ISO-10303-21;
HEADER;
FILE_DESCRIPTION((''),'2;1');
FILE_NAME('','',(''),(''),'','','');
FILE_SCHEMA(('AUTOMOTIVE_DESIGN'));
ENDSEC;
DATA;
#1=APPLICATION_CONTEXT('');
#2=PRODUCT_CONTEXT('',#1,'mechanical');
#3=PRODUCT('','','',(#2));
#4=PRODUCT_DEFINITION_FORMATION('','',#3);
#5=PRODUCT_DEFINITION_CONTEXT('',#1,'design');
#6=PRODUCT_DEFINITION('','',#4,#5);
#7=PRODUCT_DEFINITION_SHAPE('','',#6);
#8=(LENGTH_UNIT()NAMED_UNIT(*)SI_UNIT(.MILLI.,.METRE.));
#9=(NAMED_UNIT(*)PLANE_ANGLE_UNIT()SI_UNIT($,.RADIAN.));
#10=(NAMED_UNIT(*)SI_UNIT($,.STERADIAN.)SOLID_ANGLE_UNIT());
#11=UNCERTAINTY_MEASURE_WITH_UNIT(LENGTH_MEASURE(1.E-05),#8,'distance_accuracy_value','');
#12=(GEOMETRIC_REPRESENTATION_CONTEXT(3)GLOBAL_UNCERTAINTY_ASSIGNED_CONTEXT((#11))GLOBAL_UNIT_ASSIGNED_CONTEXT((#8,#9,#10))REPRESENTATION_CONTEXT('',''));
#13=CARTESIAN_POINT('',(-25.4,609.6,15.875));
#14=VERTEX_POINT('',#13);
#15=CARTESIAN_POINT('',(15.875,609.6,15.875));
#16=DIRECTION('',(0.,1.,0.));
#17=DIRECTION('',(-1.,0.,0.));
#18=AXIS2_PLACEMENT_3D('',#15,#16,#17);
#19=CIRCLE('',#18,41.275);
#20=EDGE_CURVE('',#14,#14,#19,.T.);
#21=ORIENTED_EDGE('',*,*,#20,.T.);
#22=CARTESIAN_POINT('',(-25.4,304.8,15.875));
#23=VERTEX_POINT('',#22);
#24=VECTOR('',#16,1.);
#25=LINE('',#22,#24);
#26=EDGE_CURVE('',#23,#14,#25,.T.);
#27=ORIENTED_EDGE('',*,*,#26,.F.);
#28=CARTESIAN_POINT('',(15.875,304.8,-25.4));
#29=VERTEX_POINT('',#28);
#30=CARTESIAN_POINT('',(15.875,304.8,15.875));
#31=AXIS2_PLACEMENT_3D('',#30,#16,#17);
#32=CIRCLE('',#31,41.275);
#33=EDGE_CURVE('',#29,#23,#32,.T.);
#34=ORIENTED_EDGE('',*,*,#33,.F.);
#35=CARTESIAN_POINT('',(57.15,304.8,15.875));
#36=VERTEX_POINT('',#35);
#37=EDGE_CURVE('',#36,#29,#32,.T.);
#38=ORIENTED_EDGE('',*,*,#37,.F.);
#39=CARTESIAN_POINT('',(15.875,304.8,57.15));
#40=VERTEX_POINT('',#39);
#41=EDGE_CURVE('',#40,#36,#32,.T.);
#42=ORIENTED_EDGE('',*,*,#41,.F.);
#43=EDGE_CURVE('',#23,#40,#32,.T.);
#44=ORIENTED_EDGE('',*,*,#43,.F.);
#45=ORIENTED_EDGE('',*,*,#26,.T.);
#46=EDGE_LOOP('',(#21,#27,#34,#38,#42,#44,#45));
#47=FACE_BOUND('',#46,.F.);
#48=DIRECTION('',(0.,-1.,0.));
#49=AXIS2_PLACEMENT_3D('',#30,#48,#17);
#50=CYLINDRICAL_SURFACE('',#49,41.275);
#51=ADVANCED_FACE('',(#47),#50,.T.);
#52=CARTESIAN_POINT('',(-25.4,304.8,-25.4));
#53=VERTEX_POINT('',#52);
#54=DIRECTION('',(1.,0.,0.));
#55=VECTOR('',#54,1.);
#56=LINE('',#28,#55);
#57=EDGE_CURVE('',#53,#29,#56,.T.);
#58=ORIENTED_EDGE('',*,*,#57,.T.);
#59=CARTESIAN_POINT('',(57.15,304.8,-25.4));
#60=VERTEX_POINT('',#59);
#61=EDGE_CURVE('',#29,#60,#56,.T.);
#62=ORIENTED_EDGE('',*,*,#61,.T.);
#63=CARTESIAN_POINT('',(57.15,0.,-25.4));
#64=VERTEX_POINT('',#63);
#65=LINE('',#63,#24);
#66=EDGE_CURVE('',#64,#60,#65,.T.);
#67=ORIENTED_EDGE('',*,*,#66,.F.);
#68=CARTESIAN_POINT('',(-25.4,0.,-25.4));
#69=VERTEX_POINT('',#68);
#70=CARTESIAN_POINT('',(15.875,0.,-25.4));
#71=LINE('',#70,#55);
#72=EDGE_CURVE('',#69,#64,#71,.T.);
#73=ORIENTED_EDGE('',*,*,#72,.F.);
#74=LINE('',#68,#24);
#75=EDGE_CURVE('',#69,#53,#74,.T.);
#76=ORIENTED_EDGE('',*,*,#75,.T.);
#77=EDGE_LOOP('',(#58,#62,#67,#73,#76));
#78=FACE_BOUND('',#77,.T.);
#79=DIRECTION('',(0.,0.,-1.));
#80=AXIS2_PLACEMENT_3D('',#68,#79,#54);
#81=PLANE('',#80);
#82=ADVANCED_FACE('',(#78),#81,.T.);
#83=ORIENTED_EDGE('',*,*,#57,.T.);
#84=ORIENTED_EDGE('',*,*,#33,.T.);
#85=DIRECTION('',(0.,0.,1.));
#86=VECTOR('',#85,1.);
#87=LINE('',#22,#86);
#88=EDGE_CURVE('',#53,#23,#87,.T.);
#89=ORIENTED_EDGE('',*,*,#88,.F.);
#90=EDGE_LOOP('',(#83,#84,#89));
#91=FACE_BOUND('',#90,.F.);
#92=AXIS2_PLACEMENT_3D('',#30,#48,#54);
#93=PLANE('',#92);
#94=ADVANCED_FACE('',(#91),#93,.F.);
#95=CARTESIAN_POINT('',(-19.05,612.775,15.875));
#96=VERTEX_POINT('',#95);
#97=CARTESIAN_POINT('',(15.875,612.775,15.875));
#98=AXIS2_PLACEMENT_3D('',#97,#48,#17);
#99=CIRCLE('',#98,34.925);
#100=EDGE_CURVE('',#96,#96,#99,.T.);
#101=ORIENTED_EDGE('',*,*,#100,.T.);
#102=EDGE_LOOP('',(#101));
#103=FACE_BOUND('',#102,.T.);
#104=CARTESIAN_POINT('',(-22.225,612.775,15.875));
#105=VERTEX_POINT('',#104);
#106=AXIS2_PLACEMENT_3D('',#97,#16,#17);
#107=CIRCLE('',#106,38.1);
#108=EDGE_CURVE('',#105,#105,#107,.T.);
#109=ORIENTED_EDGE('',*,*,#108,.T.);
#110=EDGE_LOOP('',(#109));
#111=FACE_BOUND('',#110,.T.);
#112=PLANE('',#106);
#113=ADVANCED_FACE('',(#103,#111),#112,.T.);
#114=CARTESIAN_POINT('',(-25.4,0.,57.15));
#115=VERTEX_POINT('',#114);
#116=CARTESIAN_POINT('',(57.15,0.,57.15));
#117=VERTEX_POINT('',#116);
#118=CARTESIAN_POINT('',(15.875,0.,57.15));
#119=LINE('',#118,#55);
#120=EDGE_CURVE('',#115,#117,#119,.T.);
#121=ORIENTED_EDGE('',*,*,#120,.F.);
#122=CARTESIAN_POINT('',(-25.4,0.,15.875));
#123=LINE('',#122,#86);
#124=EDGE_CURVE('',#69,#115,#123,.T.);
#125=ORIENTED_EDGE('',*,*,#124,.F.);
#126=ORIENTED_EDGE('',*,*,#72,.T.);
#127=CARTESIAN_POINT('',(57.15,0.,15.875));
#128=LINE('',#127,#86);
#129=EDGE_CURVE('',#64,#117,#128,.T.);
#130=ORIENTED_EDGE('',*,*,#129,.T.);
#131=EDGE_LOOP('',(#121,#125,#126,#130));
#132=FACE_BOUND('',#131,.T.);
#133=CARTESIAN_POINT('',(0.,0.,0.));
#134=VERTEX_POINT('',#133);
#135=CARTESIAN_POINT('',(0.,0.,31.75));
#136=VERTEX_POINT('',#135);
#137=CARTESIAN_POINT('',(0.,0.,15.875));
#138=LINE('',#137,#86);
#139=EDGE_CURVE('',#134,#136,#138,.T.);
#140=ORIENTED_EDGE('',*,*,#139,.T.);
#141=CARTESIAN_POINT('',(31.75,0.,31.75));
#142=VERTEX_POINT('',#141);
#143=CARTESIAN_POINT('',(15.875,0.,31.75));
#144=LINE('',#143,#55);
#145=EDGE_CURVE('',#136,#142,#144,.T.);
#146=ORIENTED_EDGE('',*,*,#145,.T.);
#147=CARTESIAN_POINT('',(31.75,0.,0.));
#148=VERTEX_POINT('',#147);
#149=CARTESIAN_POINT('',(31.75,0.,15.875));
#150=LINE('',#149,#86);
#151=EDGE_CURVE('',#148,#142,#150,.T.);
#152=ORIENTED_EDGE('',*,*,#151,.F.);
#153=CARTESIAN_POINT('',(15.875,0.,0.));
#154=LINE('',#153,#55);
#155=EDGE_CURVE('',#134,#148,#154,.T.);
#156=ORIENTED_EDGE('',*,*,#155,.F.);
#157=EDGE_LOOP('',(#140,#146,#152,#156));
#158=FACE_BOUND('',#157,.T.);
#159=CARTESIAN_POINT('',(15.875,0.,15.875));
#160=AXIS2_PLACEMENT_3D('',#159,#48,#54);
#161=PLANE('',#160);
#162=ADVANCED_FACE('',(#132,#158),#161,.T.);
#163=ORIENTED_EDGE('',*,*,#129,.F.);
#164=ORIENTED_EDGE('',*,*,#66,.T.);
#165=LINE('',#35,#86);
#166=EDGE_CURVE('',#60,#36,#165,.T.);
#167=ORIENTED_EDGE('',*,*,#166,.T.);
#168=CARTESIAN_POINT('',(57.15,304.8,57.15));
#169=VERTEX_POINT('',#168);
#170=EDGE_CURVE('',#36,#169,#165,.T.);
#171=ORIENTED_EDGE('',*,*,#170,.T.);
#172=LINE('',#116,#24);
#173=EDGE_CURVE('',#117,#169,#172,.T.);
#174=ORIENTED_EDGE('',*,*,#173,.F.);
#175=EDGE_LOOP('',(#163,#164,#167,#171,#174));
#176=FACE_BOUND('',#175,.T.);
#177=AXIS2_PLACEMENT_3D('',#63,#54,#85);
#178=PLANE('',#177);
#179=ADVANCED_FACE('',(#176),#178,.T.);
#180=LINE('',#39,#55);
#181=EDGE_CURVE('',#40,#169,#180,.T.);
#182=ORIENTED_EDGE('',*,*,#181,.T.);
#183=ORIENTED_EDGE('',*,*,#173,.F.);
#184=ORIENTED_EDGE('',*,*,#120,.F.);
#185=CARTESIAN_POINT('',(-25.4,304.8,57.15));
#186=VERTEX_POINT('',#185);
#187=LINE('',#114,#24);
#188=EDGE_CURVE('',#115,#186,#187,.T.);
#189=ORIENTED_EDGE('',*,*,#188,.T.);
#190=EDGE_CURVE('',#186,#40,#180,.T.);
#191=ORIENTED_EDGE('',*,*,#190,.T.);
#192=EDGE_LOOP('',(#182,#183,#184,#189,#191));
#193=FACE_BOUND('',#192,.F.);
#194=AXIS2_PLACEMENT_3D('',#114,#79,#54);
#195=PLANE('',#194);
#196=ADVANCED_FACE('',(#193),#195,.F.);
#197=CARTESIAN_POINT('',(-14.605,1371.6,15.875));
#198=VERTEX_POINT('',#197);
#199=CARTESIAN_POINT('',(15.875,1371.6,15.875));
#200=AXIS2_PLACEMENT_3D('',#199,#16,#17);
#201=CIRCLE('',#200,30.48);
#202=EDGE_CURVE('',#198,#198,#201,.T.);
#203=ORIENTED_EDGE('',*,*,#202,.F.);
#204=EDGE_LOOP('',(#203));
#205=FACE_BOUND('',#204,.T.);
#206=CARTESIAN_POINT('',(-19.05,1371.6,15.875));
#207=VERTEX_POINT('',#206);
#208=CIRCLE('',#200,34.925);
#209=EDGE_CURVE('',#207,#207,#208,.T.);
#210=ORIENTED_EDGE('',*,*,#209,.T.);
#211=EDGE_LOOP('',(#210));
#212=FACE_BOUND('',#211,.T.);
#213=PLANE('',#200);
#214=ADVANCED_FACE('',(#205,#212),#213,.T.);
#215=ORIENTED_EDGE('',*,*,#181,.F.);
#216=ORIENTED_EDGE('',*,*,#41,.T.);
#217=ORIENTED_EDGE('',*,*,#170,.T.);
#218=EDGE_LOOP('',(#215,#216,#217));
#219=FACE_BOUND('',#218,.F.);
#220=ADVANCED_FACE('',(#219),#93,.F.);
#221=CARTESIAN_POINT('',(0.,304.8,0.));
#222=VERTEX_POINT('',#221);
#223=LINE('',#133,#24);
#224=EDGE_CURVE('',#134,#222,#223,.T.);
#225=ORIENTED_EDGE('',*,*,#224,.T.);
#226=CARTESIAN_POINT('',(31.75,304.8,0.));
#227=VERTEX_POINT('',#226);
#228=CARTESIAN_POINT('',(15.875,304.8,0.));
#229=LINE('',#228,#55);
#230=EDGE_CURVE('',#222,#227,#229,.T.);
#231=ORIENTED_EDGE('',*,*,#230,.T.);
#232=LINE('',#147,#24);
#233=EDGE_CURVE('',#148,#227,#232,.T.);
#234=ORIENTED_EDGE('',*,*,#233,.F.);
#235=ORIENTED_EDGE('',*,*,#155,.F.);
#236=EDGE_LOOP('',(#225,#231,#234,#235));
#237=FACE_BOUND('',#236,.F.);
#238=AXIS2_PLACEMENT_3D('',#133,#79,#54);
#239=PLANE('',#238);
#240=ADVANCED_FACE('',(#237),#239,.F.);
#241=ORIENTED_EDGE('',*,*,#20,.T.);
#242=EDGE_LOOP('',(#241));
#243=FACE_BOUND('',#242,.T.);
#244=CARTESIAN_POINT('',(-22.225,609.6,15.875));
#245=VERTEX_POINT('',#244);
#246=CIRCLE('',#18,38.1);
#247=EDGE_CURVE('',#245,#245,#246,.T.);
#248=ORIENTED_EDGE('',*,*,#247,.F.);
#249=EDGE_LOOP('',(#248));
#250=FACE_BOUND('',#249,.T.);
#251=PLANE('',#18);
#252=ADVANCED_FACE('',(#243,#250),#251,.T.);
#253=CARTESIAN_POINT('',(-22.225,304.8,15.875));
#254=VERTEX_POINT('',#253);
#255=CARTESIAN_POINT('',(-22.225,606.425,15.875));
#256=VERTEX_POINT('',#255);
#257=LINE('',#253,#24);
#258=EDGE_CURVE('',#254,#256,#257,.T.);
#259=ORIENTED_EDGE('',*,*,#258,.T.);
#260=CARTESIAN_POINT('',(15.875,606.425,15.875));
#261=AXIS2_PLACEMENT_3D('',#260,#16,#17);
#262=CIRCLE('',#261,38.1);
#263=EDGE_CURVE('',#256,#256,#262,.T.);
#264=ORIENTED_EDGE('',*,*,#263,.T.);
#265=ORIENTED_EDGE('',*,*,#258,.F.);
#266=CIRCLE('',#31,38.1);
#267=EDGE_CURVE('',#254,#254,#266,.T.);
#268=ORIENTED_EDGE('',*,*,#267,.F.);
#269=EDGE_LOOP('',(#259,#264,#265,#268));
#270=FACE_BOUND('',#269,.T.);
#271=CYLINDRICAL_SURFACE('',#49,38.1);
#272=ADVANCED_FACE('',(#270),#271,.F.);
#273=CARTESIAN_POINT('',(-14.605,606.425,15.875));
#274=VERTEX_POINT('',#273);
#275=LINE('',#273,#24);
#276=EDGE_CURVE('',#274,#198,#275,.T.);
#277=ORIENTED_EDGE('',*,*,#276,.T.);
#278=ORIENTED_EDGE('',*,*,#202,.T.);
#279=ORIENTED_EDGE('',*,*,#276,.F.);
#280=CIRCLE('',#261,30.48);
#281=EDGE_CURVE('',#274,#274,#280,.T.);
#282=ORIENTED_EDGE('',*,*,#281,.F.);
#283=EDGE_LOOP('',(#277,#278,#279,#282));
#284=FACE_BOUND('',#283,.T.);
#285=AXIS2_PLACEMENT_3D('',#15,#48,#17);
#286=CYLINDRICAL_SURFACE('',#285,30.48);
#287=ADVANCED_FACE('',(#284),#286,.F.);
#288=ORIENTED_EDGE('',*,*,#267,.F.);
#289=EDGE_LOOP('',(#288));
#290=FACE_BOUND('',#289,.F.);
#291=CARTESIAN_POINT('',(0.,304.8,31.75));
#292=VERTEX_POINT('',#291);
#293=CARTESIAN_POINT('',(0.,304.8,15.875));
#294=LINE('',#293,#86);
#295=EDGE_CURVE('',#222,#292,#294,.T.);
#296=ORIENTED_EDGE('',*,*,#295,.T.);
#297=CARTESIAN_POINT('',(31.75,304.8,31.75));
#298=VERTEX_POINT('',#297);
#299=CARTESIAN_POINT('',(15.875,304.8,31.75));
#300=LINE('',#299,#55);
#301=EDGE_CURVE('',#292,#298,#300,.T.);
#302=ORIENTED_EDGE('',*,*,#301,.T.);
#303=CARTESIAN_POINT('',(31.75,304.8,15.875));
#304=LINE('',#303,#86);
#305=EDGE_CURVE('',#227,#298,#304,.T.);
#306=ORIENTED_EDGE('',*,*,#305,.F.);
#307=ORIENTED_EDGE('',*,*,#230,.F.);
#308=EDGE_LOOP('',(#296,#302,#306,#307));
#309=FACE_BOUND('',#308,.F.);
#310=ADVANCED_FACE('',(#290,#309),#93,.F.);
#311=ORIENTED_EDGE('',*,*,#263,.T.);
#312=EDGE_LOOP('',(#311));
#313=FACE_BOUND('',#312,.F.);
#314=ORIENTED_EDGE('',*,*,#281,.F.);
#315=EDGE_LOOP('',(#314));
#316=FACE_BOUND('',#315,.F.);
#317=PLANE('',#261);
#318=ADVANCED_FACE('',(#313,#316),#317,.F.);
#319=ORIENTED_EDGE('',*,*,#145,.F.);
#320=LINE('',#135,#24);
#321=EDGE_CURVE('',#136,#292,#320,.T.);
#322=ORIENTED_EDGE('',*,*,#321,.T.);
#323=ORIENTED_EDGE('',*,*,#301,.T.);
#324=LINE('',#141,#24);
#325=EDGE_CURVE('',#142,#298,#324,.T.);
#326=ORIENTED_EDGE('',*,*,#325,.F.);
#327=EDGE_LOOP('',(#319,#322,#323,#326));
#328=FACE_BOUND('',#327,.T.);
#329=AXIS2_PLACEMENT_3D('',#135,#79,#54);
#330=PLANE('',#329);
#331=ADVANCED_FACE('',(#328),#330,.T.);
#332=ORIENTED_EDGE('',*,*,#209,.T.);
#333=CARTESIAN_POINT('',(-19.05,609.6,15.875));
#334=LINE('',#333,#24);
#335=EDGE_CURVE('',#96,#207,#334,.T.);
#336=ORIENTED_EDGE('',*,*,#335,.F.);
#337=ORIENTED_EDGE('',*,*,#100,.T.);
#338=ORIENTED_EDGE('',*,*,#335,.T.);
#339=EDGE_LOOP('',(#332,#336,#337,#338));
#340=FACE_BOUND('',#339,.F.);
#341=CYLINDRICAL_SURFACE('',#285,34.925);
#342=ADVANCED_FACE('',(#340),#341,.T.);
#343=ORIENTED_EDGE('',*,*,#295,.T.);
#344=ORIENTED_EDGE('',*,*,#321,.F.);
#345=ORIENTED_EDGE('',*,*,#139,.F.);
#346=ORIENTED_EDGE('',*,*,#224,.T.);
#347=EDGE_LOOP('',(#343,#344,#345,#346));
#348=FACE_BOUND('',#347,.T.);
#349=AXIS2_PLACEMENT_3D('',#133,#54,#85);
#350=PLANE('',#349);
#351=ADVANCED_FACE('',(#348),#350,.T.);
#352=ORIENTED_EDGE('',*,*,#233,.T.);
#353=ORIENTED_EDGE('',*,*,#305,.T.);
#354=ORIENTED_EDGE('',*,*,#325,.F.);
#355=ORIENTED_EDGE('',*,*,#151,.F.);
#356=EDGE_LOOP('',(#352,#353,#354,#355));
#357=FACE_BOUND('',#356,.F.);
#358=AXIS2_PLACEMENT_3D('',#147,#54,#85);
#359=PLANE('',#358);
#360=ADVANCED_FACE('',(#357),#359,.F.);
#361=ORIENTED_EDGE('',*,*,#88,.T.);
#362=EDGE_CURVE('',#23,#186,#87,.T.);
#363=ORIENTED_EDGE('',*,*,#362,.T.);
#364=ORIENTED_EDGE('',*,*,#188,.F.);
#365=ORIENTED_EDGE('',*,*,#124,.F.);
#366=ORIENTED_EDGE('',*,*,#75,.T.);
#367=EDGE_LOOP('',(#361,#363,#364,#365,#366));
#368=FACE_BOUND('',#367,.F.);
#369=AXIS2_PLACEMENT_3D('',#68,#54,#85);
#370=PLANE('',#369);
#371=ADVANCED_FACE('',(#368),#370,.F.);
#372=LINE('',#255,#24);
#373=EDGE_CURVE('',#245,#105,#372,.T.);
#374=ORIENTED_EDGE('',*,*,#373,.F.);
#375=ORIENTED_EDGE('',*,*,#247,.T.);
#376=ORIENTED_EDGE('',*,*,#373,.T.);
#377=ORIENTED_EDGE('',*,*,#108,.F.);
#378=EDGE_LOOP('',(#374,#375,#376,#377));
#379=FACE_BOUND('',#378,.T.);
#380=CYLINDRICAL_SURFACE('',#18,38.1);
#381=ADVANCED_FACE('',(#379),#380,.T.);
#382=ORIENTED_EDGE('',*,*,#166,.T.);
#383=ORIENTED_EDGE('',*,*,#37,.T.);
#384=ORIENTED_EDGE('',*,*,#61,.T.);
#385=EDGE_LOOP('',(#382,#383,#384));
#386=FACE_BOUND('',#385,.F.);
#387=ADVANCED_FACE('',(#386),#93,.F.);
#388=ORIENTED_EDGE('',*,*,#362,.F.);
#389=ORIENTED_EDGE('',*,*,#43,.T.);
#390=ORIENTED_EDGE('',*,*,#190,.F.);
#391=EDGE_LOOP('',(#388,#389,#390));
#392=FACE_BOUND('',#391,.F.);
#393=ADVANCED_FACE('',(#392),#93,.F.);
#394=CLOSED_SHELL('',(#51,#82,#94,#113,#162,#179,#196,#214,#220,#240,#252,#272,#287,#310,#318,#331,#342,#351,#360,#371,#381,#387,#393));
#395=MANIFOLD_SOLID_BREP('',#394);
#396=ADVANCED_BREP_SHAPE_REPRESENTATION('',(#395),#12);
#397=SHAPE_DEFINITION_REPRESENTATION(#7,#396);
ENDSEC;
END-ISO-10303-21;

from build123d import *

# Parameters (mm, degrees)
F0_W     = 82.55
F0_H     = 82.55
F0_W_2   = 31.75
F0_H_2   = 31.75
F1_DEPTH = 304.8
F2_R     = 38.1
F3_DEPTH = 304.8
F4_R     = 34.925
F4_R_2   = 30.48
F5_DEPTH = 762
F6_R     = 38.1
F6_R_2   = 30.48
F7_DEPTH = 3.175


with BuildPart() as f1:
    # F0 (on Front) → F1 (new body)
    with BuildSketch(Plane.XZ):
        with Locations((15.875, 15.875)):
            Rectangle(F0_W, F0_H)
        with Locations((15.875, 15.875)):
            Rectangle(F0_W_2, F0_H_2, mode=Mode.SUBTRACT)
    extrude(amount=-F1_DEPTH)

    # F2 (on face) → F3 (join)
    with BuildSketch(Plane(origin=(0, 304.8, 0), x_dir=(-1, 0, 0), z_dir=(0, 1, 0))):
        with BuildLine():
            ThreePointArc((-15.8749998581, -25.4), (13.3108324437, -13.3108323433), (25.4, 15.875))
            ThreePointArc((25.4, 15.875), (13.3108323935, 45.0608323935), (-15.875, 57.15))
            ThreePointArc((-15.875, 57.15), (-45.0608324126, 45.0608323743), (-57.15, 15.8749999458))
            ThreePointArc((-57.15, 15.8749999458), (-45.0608323241, -13.3108324628), (-15.8749998581, -25.4))
        make_face()
        with Locations((-15.875, 15.875)):
            Circle(F2_R, mode=Mode.SUBTRACT)
    extrude(amount=F3_DEPTH)



with BuildPart() as f5:
    # F4 (on face) → F5 (new body)
    with BuildSketch(Plane(origin=(0, 609.6, 0), x_dir=(-1, 0, 0), z_dir=(0, 1, 0))):
        with Locations((-15.875, 15.875)):
            Circle(F4_R)
        with Locations((-15.875, 15.875)):
            Circle(F4_R_2, mode=Mode.SUBTRACT)
    extrude(amount=F5_DEPTH)


with BuildPart() as f1_1:
    add(f1.part)

    add(f5.part)  # F7 merges F5
    # F6 (on face) → F7 (join, symmetric)
    with BuildSketch(Plane(origin=(0, 609.6, 0), x_dir=(-1, 0, 0), z_dir=(0, 1, 0))):
        with Locations((-15.875, 15.875)):
            Circle(F6_R)
        with Locations((-15.875, 15.875)):
            Circle(F6_R_2, mode=Mode.SUBTRACT)
    extrude(amount=F7_DEPTH, both=True)


solid = f1_1.part
